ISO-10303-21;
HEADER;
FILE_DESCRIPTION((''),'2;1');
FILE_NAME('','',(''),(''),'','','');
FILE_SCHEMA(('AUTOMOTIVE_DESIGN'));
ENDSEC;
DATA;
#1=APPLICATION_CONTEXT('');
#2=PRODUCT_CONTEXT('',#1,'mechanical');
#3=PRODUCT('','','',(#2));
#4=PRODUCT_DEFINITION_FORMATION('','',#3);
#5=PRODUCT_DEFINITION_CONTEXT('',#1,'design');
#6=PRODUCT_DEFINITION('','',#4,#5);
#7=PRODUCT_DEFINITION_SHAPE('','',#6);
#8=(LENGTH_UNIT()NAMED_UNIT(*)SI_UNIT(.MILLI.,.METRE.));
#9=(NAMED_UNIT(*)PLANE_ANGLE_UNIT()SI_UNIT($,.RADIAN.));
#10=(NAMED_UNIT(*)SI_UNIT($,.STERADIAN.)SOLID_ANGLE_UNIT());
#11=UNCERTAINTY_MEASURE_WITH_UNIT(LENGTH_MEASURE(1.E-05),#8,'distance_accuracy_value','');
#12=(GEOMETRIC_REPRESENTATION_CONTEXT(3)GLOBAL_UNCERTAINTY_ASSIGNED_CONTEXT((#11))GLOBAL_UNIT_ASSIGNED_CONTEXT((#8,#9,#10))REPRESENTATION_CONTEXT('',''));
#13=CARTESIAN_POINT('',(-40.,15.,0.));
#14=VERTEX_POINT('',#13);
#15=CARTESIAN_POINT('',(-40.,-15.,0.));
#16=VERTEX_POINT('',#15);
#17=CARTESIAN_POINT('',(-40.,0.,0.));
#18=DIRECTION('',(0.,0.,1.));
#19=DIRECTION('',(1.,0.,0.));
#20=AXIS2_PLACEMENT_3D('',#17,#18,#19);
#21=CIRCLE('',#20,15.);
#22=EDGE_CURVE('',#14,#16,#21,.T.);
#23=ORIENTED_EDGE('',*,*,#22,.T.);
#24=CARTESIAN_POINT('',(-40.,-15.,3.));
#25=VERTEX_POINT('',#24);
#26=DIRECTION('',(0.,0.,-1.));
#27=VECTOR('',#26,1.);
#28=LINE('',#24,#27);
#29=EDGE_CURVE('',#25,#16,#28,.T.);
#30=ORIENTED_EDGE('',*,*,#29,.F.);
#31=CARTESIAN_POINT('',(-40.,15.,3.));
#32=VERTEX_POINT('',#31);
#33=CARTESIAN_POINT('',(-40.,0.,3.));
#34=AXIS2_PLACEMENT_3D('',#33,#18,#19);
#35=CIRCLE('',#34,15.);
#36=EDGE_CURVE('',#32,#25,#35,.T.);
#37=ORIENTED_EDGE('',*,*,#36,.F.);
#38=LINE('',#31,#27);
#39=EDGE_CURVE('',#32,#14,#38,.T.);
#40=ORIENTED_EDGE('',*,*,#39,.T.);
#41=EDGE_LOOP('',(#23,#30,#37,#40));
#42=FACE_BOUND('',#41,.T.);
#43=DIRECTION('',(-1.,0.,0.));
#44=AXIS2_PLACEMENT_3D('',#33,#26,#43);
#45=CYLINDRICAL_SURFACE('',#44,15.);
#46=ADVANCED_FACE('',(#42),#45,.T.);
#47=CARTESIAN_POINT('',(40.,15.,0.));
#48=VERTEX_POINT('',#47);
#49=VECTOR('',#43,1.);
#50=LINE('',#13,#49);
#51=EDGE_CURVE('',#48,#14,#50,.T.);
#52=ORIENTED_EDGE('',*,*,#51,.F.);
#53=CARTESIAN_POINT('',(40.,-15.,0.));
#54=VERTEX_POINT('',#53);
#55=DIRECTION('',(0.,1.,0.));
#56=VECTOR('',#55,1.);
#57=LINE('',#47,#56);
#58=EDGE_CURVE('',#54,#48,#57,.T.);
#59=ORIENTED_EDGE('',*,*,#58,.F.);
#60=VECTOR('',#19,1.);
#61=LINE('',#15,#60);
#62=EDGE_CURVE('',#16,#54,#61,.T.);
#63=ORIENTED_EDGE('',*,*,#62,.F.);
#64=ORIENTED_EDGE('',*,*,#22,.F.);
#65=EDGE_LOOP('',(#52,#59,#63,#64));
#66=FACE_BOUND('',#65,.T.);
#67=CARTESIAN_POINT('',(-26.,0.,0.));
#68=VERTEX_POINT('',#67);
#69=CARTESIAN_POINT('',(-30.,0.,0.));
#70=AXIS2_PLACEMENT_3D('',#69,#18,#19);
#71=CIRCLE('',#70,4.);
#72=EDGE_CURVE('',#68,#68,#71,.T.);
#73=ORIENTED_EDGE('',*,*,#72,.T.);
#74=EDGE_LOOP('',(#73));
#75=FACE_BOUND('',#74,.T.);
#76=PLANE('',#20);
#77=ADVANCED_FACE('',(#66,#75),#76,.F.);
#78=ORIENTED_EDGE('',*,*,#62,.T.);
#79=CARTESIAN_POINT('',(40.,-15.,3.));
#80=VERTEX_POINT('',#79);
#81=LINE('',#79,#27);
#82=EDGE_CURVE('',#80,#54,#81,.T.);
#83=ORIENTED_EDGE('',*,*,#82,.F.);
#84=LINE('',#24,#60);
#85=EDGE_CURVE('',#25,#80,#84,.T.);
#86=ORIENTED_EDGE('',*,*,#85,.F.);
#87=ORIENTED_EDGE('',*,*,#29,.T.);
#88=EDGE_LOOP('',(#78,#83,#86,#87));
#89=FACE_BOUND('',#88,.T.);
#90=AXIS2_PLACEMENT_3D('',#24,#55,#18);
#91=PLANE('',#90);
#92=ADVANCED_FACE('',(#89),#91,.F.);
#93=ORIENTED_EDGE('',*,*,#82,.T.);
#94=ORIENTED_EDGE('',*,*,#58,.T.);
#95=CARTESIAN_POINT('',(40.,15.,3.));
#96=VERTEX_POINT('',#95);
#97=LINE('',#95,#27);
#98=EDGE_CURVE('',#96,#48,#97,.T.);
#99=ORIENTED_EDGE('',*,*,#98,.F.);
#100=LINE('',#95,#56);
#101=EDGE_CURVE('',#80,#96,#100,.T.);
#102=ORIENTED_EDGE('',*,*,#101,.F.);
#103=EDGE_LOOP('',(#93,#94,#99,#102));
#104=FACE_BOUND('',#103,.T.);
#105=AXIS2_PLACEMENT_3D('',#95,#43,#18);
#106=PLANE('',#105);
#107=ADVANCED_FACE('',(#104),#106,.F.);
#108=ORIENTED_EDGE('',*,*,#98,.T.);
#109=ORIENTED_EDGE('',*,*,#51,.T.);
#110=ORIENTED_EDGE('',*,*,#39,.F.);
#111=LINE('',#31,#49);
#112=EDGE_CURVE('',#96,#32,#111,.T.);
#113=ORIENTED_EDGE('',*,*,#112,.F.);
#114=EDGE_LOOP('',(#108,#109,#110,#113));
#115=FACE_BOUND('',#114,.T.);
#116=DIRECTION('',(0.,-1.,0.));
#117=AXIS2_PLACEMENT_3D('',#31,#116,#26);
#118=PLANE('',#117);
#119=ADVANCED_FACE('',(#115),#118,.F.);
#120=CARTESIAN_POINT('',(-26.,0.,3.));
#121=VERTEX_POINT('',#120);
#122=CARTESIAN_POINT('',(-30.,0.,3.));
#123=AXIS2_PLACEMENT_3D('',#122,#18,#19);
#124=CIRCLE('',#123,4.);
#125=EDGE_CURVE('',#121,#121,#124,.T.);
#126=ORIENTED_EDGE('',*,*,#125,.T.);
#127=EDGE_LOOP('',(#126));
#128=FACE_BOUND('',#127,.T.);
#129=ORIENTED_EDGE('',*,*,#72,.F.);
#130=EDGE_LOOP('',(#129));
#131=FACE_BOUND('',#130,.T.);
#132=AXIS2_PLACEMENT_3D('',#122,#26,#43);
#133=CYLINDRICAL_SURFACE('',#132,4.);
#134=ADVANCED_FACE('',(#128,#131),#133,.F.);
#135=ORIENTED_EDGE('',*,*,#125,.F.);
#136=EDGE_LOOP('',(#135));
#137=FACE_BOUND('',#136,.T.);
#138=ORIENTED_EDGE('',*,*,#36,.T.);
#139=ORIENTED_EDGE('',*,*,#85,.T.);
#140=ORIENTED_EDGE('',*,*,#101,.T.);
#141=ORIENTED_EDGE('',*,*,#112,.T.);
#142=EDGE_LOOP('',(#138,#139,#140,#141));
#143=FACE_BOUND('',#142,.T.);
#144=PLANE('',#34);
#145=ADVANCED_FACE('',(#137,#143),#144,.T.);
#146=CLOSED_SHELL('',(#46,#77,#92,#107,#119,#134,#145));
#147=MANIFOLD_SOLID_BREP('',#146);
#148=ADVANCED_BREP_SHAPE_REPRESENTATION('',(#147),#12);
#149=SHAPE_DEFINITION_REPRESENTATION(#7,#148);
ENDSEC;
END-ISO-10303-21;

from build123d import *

# Parameters (mm, degrees)
SKETCH1_R           = 4
BOSS_EXTRUDE1_DEPTH = 3


with BuildPart() as part:
    # Sketch1 → Boss-Extrude1 (new body)
    with BuildSketch(Plane.XY):
        with BuildLine():
            Line((-40, 15), (40, 15))
            Line((40, 15), (40, -15))
            Line((40, -15), (-40, -15))
            ThreePointArc((-40, -15), (-55, 0), (-40, 15))
        make_face()
        with Locations((-30, 0)):
            Circle(SKETCH1_R, mode=Mode.SUBTRACT)
    extrude(amount=BOSS_EXTRUDE1_DEPTH)


solid = part.part
